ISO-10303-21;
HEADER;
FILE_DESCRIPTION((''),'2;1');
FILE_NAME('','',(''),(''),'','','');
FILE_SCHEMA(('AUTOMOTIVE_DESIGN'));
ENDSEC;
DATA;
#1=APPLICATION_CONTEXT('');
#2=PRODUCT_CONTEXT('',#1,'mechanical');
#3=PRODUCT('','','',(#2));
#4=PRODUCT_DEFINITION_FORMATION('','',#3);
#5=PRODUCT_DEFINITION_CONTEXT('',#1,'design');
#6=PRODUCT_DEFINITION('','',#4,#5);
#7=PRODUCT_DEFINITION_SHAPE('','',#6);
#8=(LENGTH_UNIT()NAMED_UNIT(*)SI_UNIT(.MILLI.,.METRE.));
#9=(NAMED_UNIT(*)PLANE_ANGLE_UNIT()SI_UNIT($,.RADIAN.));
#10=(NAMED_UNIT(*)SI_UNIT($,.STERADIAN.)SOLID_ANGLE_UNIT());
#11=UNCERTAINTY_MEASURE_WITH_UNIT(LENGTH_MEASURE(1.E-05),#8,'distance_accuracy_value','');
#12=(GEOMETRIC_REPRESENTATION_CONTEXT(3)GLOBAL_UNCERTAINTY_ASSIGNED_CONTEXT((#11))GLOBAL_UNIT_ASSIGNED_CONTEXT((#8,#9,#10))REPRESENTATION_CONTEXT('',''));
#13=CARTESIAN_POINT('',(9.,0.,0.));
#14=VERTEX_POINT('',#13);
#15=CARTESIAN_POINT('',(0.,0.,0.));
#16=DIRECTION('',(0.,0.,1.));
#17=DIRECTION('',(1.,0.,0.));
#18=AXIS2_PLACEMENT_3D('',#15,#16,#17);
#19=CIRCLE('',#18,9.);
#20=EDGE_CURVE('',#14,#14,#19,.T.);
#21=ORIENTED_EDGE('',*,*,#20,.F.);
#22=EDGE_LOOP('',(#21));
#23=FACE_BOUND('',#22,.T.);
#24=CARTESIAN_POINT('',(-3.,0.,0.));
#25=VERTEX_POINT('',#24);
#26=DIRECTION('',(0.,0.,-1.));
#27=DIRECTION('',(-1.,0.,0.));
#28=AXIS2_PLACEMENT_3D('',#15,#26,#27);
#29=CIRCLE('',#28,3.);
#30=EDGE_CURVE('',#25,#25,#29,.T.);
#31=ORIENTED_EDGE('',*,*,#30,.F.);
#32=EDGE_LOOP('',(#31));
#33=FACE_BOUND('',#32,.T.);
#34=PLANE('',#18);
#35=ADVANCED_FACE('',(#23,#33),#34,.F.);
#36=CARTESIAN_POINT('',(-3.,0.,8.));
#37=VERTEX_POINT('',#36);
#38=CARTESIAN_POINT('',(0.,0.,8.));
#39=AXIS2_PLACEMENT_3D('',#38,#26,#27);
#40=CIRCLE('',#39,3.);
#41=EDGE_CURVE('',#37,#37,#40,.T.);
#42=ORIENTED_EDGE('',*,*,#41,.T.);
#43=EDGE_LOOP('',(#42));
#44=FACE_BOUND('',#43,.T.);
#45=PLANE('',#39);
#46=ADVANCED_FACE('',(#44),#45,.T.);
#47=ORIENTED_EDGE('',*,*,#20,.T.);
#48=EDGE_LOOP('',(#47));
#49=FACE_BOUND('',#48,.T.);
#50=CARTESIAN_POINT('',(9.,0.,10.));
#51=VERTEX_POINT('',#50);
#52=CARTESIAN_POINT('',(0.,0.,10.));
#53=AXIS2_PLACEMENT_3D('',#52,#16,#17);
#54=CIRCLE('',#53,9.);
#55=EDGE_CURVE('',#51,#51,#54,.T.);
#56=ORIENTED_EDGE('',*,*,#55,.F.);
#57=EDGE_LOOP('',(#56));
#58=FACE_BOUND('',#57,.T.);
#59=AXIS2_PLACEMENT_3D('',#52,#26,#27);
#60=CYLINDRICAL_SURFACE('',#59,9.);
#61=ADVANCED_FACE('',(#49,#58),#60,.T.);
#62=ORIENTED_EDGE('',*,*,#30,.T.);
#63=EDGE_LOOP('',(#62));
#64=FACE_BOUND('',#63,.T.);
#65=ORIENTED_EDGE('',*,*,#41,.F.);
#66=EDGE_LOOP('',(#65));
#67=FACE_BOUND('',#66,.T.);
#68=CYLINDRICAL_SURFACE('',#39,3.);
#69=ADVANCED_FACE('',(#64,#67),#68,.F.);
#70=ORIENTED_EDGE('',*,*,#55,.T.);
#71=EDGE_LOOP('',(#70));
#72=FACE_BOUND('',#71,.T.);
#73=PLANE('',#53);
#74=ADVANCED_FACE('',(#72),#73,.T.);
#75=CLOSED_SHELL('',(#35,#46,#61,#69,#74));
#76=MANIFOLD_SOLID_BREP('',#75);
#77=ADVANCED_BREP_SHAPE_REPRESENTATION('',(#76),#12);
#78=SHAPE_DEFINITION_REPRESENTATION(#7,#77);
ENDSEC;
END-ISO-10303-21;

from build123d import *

# Parameters (mm, degrees)
SKETCH1_R           = 9
BOSS_EXTRUDE1_DEPTH = 10
SKETCH2_R           = 3
CUT_EXTRUDE1_DEPTH  = 8


with BuildPart() as part:
    # Sketch1 → Boss-Extrude1 (new body)
    with BuildSketch(Plane.XY):
        Circle(SKETCH1_R)
    extrude(amount=BOSS_EXTRUDE1_DEPTH)

    # Sketch2 → Cut-Extrude1 (cut)
    with BuildSketch(Plane(origin=(0, 0, 0), x_dir=(-1, 0, 0), z_dir=(0, 0, -1))):
        Circle(SKETCH2_R)
    extrude(amount=-CUT_EXTRUDE1_DEPTH, mode=Mode.SUBTRACT)


solid = part.part
